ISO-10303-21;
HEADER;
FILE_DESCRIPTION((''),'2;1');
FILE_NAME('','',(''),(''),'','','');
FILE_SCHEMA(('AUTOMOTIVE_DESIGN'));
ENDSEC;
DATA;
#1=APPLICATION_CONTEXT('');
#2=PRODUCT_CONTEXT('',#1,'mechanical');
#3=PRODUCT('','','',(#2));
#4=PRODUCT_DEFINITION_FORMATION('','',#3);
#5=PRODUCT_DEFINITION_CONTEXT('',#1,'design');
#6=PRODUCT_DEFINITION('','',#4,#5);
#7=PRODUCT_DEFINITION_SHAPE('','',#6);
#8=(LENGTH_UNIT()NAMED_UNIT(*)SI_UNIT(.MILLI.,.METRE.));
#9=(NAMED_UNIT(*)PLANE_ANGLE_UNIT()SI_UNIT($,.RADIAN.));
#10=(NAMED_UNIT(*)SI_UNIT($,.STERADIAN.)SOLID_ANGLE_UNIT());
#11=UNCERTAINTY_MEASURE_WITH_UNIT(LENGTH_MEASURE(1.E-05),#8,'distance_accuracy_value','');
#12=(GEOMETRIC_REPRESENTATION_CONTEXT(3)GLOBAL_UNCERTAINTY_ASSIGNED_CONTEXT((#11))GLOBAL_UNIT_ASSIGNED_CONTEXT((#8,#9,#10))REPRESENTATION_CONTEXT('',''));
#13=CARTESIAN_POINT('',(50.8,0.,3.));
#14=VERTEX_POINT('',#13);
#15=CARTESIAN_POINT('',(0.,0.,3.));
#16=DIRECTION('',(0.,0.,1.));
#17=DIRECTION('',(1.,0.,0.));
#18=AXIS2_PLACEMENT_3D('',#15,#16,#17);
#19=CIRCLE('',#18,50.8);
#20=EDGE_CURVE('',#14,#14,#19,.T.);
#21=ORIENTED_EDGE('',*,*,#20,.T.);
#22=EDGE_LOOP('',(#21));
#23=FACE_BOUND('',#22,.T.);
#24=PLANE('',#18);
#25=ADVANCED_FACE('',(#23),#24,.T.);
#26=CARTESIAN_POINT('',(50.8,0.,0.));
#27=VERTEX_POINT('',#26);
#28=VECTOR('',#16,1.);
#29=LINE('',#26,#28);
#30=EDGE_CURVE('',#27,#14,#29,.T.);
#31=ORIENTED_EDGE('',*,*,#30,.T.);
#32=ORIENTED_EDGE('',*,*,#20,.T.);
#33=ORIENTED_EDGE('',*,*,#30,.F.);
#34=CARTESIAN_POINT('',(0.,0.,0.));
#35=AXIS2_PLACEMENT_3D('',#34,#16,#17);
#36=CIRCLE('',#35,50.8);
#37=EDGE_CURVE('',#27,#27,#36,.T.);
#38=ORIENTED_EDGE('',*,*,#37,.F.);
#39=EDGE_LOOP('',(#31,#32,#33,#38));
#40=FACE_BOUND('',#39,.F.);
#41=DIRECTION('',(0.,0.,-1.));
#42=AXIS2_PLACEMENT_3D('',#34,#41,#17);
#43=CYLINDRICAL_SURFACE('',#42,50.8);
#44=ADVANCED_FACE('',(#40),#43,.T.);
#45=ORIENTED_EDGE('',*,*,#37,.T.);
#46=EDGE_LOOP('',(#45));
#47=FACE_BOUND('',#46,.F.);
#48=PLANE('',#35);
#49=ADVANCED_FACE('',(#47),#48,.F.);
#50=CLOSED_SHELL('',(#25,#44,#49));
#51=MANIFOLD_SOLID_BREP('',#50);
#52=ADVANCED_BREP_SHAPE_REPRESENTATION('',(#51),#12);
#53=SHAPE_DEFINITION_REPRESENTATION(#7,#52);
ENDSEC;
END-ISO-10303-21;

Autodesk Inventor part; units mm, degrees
ref_plane "YZ Plane" through (0, 0, 0) normal (1, 0, 0) x (0, 1, 0)
ref_plane "XZ Plane" through (0, 0, 0) normal (0, 1, 0) x (-1, 0, 0)
ref_plane "XY Plane" through (0, 0, 0) normal (0, 0, 1) x (1, 0, 0)
sketch "Sketch1" plane through (0, 0, 0) normal (0, 0, 1) x (1, 0, 0)
  circle A0 centre (0, 0) radius 50.8 projected
  point P0 (0, 0)
  dimension "d0" = 3
extrude "Extrusion1" add sketch "Sketch1" along normal blind 3
properties part number "HubSparPlate90"
